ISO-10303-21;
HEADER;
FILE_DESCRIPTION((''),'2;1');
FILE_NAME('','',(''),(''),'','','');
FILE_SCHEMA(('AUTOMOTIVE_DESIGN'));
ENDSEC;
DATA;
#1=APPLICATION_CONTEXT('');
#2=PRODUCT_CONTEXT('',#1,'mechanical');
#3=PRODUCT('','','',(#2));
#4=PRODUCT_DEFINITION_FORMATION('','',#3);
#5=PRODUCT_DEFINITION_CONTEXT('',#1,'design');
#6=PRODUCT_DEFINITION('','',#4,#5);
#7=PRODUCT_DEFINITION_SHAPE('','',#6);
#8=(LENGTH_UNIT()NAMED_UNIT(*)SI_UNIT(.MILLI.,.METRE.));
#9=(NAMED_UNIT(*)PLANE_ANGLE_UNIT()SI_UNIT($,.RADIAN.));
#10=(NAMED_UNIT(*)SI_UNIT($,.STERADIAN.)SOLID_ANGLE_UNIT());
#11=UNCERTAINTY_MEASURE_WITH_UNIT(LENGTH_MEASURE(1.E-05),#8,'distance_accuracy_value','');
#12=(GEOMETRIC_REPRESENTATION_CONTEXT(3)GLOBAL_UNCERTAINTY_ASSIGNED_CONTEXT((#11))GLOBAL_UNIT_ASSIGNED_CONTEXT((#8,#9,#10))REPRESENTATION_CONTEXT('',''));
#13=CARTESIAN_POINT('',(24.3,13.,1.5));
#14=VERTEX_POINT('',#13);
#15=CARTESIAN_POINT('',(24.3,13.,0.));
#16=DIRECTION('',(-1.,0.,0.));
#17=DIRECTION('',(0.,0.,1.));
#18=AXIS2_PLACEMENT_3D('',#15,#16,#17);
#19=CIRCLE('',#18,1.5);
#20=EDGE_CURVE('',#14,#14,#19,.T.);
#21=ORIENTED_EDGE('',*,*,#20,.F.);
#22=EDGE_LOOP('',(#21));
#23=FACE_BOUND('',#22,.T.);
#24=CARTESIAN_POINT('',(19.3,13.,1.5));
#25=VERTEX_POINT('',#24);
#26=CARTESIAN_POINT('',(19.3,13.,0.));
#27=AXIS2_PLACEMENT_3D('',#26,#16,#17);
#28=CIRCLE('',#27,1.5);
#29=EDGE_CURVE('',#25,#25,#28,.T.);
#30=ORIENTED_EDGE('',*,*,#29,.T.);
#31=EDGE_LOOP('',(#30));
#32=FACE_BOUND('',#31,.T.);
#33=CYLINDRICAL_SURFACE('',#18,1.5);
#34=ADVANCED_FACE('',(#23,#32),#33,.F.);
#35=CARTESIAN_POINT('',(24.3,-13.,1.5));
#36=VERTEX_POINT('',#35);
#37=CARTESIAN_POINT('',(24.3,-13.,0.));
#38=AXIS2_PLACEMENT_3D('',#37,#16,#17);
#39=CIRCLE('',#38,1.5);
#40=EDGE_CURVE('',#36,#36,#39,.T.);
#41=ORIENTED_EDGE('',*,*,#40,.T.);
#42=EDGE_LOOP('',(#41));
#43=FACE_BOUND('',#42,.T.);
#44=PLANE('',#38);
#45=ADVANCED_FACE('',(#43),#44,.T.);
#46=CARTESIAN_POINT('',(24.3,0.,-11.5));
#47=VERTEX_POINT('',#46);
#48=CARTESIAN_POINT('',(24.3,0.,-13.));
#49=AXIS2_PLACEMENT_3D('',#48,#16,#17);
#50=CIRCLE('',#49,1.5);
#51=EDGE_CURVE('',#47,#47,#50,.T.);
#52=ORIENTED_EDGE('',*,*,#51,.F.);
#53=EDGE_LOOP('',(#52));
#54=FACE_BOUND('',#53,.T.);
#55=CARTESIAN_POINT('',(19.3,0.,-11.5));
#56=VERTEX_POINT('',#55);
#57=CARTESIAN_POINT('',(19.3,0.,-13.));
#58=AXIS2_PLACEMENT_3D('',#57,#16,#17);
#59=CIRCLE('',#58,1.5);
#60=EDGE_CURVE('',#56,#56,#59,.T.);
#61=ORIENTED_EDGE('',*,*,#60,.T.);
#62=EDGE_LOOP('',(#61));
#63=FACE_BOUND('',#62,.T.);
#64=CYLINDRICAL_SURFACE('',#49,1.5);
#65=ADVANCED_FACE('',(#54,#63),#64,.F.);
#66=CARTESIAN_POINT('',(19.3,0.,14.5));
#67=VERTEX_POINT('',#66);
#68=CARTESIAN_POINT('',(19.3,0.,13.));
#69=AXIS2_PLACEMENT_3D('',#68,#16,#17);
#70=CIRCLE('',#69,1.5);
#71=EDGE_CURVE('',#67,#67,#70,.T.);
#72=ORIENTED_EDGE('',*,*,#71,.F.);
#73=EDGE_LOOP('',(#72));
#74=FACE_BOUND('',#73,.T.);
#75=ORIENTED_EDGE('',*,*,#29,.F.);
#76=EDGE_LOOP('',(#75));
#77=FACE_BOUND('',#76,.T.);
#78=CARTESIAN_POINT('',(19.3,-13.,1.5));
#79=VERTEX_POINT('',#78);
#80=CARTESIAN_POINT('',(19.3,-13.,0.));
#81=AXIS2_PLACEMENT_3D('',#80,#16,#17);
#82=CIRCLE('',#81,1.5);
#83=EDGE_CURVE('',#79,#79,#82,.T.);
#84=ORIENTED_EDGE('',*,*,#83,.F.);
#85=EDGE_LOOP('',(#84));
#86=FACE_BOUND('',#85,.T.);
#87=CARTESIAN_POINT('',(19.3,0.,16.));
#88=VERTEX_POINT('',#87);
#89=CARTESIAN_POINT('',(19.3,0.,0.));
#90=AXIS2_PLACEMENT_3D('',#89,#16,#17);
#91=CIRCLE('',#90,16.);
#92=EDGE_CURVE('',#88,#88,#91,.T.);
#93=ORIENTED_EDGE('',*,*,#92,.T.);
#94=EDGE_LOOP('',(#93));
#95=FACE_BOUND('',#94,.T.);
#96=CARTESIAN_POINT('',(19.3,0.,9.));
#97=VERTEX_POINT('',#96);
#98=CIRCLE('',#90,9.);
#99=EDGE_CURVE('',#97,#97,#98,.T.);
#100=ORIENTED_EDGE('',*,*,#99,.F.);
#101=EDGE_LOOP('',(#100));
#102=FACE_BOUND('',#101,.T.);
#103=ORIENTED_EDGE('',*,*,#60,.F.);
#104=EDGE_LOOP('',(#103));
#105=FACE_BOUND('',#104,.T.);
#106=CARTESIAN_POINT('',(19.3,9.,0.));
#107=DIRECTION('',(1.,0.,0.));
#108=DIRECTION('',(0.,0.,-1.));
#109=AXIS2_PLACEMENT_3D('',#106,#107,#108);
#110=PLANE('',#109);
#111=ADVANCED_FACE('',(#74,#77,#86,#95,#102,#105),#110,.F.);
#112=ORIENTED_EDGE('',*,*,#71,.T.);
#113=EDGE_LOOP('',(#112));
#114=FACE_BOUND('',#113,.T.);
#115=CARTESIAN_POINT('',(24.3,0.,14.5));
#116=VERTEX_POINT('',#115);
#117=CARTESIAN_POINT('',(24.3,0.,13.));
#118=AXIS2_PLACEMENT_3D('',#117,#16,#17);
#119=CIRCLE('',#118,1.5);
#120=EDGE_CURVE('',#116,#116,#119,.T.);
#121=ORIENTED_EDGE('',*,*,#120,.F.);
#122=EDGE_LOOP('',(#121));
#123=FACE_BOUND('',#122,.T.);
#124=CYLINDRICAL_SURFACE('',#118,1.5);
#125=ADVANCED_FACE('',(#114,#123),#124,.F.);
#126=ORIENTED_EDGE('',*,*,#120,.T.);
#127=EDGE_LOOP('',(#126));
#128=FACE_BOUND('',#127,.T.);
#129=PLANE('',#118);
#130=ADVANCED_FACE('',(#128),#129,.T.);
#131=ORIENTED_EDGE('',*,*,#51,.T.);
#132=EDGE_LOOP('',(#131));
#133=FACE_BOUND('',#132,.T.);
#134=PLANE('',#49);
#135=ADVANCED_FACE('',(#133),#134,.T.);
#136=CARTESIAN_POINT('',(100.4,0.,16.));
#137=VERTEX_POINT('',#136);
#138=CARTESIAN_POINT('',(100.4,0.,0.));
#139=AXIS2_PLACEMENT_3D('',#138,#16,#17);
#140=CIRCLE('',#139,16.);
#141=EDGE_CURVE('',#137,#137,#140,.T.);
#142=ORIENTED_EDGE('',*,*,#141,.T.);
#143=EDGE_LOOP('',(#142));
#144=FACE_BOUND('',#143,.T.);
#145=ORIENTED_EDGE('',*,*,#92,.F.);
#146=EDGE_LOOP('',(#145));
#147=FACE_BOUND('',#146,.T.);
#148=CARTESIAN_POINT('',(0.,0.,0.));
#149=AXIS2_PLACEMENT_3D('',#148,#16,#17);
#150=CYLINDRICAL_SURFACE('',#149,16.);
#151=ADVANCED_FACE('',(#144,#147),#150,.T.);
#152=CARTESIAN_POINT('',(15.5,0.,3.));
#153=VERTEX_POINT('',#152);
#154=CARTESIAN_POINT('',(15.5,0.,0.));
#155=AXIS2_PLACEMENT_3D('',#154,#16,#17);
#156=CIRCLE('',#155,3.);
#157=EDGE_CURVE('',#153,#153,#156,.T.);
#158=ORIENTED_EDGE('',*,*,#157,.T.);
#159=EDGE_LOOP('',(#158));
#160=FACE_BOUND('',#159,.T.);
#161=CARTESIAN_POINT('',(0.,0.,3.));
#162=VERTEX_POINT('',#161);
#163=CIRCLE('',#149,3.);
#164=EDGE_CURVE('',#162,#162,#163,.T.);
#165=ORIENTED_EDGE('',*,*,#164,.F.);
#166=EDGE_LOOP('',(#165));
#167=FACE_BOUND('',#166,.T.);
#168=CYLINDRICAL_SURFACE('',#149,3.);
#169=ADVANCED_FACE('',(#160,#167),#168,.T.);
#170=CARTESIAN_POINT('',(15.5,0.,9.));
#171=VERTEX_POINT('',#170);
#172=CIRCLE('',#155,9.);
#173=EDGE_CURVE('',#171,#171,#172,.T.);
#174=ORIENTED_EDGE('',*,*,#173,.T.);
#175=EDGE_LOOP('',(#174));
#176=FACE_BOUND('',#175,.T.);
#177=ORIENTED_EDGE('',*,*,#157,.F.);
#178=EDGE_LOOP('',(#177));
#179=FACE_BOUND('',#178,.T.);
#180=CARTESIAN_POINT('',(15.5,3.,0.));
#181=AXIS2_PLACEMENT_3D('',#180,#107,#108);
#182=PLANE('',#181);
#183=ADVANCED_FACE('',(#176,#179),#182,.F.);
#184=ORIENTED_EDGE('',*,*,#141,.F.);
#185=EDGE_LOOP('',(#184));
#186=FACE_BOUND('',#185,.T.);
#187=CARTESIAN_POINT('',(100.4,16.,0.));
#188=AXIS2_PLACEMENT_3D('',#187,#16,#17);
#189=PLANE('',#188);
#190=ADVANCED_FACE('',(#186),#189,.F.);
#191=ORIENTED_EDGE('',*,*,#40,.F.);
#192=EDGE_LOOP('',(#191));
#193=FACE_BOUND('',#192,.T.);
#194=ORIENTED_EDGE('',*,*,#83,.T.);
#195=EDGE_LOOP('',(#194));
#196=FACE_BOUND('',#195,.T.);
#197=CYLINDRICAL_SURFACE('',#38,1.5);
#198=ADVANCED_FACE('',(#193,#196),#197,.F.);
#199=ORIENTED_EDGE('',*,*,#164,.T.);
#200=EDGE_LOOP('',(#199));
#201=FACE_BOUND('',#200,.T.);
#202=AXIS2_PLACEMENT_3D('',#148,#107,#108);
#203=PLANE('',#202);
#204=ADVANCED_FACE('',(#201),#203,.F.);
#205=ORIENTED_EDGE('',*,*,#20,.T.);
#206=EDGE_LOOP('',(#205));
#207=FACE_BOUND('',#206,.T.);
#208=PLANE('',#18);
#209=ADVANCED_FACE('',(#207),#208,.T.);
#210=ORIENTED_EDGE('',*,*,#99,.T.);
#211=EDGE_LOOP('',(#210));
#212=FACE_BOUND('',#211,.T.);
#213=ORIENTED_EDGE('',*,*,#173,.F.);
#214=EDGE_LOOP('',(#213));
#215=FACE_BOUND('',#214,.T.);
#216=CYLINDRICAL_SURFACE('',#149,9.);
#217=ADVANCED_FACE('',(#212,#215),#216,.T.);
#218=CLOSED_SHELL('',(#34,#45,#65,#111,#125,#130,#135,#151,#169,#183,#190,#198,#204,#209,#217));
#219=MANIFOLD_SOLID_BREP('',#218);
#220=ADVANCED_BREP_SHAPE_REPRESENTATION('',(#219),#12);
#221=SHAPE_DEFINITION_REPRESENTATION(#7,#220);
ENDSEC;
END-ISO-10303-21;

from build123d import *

# Parameters (mm, degrees)
SKETCH2_R          = 1.5
CUT_EXTRUDE1_DEPTH = 5


with BuildPart() as part:
    # Sketch1 → Revolve1 (revolve)
    with BuildSketch(Plane.XY):
        Polygon((0, 0), (100.4, 0), (100.4, 16), (19.3, 16), (19.3, 9), (15.5, 9), (15.5, 3), (0, 3), align=None)
    revolve(axis=Axis((0, 0, 0), (1, 0, 0)))

    # Sketch2 → Cut-Extrude1 (cut)
    with BuildSketch(Plane.ZY.offset(-19.3)):
        with Locations((0, 13)):
            Circle(SKETCH2_R)
        with Locations((0, -13)):
            Circle(SKETCH2_R)
        with Locations((-13, 0)):
            Circle(SKETCH2_R)
        with Locations((13, 0)):
            Circle(SKETCH2_R)
    extrude(amount=-CUT_EXTRUDE1_DEPTH, mode=Mode.SUBTRACT)


solid = part.part
